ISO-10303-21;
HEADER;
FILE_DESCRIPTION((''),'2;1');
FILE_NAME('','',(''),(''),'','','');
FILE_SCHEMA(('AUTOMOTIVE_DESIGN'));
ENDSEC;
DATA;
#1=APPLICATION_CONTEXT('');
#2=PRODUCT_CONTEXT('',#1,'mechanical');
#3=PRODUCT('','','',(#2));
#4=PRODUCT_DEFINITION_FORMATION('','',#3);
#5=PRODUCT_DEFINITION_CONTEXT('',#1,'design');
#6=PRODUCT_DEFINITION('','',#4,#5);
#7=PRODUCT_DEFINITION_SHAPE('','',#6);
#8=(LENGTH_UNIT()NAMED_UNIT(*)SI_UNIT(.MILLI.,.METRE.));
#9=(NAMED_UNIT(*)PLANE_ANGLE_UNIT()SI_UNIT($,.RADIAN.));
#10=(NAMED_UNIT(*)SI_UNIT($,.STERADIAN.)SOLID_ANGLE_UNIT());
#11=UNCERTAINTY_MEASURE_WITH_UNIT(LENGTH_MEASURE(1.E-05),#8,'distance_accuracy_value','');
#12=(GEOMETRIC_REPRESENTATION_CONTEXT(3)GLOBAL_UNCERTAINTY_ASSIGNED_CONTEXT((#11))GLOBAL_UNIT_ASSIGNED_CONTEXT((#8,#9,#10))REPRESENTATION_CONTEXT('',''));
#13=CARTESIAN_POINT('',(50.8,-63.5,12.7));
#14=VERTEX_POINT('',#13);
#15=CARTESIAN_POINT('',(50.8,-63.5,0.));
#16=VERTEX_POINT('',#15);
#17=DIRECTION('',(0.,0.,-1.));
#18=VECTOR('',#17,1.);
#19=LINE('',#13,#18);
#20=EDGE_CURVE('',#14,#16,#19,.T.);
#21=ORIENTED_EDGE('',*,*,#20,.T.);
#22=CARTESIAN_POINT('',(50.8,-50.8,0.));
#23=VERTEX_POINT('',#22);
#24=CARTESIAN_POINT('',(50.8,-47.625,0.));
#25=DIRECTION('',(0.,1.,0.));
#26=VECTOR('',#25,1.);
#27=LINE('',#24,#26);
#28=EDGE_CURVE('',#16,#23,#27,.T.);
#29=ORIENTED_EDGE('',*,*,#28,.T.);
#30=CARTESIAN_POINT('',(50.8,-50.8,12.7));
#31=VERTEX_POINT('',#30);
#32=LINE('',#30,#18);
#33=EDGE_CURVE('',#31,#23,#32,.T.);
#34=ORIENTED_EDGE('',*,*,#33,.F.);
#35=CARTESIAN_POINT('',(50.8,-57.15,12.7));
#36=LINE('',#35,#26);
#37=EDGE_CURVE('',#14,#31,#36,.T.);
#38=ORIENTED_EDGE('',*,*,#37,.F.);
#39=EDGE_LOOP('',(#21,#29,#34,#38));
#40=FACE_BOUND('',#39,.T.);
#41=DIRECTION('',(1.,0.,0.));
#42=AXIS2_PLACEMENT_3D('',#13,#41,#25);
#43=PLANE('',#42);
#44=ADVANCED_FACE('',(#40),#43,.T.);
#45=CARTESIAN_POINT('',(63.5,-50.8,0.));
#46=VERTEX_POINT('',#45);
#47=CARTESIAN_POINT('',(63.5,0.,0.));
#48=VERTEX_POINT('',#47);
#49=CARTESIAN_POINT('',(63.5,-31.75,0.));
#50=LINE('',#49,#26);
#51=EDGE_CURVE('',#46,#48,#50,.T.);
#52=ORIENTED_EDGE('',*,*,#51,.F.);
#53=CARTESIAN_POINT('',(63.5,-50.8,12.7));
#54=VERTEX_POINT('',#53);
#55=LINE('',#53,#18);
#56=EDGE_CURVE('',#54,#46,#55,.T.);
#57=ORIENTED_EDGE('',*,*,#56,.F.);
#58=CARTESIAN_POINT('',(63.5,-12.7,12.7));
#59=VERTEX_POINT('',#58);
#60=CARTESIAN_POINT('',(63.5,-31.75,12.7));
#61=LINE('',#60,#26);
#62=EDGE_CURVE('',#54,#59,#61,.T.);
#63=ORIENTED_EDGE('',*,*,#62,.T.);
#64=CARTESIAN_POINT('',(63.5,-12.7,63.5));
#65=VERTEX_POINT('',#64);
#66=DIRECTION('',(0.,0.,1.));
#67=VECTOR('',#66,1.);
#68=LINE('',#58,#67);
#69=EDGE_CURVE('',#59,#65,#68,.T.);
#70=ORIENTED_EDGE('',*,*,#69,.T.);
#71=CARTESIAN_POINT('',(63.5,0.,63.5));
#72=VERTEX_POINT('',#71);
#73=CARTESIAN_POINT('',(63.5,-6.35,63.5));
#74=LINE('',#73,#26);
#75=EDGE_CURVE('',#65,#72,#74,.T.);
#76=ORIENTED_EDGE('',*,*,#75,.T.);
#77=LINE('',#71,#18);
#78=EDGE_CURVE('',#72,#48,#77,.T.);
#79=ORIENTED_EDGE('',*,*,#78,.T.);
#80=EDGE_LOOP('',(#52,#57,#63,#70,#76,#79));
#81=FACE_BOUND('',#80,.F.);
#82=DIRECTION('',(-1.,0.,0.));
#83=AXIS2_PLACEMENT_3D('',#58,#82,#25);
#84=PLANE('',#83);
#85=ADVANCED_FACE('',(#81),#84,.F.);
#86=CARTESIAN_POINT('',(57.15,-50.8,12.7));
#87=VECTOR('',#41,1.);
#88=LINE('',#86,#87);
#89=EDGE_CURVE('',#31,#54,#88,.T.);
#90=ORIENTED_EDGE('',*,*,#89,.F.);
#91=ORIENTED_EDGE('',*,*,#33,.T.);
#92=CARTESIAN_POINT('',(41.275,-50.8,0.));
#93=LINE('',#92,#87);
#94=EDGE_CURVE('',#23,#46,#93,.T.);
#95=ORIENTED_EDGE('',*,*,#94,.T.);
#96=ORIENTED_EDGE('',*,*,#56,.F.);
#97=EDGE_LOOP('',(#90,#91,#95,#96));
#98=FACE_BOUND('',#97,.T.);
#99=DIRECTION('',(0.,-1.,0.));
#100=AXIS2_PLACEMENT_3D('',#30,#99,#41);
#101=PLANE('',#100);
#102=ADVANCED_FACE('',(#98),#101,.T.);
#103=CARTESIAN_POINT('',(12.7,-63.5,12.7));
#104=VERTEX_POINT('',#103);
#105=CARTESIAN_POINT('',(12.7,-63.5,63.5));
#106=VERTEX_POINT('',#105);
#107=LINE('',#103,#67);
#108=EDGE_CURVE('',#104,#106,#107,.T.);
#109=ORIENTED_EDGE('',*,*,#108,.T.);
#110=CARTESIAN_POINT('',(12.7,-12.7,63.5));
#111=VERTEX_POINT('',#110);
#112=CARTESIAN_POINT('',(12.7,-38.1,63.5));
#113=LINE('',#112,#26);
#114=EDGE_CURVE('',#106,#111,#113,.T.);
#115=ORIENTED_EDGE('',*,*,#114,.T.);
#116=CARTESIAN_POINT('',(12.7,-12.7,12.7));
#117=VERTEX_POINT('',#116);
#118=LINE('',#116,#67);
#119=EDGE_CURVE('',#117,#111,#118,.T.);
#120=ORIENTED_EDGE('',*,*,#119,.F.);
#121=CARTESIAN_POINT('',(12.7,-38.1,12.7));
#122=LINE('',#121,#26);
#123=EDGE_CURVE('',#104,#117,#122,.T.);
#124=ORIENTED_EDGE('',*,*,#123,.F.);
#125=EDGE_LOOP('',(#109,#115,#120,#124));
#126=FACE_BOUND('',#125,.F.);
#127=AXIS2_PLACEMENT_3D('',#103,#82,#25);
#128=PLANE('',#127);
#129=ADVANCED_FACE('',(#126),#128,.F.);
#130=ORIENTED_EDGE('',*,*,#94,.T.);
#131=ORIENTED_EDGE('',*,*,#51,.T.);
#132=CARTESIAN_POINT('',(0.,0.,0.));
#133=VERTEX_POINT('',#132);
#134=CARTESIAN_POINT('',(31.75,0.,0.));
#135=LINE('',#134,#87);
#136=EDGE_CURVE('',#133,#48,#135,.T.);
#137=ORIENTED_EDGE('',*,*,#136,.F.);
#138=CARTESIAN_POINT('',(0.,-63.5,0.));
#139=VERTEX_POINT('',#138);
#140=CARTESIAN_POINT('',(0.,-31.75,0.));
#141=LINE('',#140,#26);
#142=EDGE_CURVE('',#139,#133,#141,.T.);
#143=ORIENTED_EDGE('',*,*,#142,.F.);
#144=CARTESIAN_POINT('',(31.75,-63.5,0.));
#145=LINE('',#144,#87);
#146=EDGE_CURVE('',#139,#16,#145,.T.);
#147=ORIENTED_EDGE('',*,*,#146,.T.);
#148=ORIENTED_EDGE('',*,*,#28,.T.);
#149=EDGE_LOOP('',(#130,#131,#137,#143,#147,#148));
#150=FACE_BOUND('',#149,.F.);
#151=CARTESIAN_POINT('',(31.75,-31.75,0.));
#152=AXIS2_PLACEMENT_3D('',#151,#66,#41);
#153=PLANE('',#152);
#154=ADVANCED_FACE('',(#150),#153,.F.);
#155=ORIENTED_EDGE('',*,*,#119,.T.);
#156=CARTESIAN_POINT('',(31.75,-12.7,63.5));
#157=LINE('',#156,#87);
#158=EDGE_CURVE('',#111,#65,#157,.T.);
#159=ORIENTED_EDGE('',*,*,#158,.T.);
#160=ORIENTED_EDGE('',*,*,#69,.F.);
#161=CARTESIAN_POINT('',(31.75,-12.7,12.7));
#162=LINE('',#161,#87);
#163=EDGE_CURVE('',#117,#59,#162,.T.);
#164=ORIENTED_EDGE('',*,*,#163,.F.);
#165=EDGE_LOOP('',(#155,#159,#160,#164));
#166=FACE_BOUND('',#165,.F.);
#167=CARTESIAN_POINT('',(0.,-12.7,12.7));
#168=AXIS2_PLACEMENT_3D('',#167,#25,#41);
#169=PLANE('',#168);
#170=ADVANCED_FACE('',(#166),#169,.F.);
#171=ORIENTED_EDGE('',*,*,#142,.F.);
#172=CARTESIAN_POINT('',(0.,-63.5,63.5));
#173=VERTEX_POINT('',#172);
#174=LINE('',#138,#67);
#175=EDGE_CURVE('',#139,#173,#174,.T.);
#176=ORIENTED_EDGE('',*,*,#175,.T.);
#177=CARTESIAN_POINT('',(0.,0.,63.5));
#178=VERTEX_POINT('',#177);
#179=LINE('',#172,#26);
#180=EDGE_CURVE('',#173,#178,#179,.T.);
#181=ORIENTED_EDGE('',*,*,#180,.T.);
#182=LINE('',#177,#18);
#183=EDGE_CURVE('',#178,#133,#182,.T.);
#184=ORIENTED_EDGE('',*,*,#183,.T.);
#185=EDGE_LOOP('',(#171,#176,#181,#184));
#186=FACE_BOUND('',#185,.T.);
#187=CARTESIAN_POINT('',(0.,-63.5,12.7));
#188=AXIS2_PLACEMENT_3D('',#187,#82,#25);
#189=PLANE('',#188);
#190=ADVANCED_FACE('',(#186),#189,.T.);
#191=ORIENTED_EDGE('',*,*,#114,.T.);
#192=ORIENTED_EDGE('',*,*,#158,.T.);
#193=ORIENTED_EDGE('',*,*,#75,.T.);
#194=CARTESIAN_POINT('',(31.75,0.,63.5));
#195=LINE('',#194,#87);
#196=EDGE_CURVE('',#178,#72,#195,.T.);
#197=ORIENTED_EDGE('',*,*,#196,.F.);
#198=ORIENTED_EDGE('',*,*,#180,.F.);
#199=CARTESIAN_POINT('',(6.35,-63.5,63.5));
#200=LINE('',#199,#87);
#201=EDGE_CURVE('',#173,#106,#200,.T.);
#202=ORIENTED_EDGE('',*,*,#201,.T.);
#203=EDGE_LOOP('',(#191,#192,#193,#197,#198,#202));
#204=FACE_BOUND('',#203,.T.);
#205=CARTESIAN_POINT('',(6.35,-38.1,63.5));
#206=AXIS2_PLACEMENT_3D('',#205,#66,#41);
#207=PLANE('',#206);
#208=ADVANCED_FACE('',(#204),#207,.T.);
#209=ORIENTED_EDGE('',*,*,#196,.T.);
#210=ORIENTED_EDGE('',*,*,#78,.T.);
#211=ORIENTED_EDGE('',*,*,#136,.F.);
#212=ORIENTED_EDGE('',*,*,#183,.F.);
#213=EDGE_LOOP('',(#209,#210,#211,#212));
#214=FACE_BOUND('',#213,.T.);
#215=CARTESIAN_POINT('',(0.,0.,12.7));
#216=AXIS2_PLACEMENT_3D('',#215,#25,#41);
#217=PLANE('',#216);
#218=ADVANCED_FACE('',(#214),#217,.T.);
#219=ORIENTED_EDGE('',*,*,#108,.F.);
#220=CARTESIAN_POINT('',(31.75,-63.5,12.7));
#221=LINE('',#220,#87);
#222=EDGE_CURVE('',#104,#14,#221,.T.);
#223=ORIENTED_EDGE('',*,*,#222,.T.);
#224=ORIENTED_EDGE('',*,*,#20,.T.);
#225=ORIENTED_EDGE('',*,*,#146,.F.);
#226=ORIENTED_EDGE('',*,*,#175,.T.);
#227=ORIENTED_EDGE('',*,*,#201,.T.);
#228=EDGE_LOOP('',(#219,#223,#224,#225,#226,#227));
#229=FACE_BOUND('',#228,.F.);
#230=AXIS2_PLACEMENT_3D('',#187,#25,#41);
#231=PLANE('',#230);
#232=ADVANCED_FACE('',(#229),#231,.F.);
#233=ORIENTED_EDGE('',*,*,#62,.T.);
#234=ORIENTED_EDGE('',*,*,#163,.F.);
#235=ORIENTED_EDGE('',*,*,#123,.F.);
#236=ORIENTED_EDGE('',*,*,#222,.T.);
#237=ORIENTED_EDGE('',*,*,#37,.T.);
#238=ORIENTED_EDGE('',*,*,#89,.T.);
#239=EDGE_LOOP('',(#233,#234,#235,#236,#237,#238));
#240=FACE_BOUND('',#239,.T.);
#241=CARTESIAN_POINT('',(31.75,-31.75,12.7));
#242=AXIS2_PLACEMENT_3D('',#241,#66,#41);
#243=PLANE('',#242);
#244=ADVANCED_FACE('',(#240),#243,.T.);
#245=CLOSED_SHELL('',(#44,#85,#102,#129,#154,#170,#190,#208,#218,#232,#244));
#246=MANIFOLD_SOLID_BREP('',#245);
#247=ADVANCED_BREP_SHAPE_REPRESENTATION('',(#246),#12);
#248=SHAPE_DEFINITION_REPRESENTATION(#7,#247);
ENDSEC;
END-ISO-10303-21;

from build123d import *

# Parameters (mm, degrees)
F0_W     = 63.5
F0_H     = 63.5
F1_DEPTH = 12.7
F2_W     = 63.5
F2_H     = 12.7
F3_DEPTH = 50.8
F4_W     = 12.7
F4_H     = 50.8
F5_DEPTH = 50.8
F6_W     = 12.7
F6_H     = 12.7
F7_DEPTH = 25.4


with BuildPart() as f1:
    # F0 (on Top) → F1 (new body)
    with BuildSketch(Plane.XY):
        with Locations((31.75, -31.75)):
            Rectangle(F0_W, F0_H)
    extrude(amount=F1_DEPTH)

    # F2 (on face) → F3 (join)
    with BuildSketch(Plane.XY.offset(12.7)):
        with Locations((31.75, -6.35)):
            Rectangle(F2_W, F2_H)
    extrude(amount=F3_DEPTH)

    # F4 (on face) → F5 (join)
    with BuildSketch(Plane.XY.offset(12.7)):
        with Locations((6.35, -38.1)):
            Rectangle(F4_W, F4_H)
    extrude(amount=F5_DEPTH)

    # F6 (on face) → F7 (cut)
    with BuildSketch(Plane.XY.offset(12.7)):
        with Locations((57.15, -57.15)):
            Rectangle(F6_W, F6_H)
    extrude(amount=-F7_DEPTH, mode=Mode.SUBTRACT)


solid = f1.part
